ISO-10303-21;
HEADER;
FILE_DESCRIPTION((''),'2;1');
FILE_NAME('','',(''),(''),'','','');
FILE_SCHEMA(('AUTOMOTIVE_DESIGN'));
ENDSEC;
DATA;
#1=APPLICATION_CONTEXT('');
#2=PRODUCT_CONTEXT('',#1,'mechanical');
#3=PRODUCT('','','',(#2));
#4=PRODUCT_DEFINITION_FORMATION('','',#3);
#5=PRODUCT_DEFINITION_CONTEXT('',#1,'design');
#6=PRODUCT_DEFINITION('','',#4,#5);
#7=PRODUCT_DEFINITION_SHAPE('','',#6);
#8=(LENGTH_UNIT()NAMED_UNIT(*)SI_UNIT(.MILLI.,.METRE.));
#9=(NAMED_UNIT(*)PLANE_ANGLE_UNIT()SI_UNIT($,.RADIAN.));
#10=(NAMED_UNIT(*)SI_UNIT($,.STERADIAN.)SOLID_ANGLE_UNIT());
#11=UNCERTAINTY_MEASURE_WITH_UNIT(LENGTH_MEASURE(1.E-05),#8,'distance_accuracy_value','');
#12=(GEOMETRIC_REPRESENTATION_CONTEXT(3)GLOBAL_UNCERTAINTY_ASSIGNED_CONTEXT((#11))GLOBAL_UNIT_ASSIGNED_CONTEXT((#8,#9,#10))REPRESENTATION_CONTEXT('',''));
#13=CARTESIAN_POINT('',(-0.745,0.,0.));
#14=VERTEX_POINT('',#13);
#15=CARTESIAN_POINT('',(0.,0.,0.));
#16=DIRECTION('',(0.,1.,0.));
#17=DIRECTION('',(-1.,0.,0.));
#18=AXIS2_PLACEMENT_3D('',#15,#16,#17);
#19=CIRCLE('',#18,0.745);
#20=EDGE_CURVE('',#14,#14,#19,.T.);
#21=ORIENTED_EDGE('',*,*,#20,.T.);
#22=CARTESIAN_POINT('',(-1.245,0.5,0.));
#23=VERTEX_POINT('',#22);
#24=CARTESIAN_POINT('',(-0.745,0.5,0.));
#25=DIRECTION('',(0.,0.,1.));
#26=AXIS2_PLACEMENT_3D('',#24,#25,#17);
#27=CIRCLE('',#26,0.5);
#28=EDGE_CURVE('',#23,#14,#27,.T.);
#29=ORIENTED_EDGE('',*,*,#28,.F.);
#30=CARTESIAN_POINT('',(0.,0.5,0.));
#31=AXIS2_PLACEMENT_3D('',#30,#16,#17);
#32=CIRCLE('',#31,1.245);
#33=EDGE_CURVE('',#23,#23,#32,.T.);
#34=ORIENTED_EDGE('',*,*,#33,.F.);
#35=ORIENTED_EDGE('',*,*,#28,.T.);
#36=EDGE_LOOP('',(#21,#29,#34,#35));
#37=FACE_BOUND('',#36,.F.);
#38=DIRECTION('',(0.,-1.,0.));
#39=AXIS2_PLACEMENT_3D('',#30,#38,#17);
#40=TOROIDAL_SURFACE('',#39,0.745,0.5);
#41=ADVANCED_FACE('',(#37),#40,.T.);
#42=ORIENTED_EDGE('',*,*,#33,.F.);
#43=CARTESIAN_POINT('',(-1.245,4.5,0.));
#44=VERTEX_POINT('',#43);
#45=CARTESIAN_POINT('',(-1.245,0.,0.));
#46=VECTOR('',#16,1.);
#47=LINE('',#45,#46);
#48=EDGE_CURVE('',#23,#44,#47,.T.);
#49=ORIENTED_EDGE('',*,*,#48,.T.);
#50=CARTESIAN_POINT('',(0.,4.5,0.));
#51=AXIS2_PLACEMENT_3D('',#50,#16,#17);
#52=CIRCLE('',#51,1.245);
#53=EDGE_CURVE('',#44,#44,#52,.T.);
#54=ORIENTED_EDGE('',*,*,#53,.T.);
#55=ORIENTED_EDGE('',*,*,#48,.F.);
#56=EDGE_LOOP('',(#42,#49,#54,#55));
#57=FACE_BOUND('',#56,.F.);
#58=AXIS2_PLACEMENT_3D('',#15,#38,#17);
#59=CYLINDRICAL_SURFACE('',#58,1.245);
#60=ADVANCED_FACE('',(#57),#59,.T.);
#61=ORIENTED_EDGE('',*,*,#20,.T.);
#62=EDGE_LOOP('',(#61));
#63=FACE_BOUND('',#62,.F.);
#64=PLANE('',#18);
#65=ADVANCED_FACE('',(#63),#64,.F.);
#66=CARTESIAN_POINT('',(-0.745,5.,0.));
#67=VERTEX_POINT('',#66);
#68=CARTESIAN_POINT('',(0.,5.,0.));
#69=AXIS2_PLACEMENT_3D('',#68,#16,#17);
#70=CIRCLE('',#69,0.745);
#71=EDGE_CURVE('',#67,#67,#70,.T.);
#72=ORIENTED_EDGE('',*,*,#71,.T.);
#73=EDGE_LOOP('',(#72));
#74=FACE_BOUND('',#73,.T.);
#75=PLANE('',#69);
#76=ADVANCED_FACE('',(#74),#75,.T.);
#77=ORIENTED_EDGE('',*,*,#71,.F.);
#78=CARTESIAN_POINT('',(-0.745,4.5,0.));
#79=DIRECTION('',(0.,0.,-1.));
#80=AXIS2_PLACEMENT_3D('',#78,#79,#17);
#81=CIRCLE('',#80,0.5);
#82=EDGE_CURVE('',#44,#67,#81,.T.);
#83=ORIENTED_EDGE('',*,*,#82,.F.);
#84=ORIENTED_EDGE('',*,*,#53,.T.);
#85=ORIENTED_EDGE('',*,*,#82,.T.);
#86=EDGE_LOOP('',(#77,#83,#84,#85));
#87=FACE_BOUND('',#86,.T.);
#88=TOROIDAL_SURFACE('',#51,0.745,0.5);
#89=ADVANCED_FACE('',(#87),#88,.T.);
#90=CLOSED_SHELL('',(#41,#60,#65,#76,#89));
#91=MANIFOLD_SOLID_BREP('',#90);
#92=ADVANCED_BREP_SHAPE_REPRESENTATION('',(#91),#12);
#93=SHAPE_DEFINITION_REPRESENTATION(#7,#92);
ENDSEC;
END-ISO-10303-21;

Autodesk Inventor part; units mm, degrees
ref_plane "YZ Plane" through (0, 0, 0) normal (1, 0, 0) x (0, 1, 0)
ref_plane "XZ Plane" through (0, 0, 0) normal (0, 1, 0) x (-1, 0, 0)
ref_plane "XY Plane" through (0, 0, 0) normal (0, 0, 1) x (1, 0, 0)
sketch "Sketch1" plane through (0, 0, 0) normal (0, 1, 0) x (-1, 0, 0)
  circle A0 centre (0, 0) radius 1.245
  dimension "d0" = 2.49
extrude "Extrusion1" add sketch "Sketch1" along normal blind 5
fillet "Fillet1" radius 0.5 2 edges at (1.245, 5, 0) (1.245, 0, 0)
properties part number "assembly_pegs"
